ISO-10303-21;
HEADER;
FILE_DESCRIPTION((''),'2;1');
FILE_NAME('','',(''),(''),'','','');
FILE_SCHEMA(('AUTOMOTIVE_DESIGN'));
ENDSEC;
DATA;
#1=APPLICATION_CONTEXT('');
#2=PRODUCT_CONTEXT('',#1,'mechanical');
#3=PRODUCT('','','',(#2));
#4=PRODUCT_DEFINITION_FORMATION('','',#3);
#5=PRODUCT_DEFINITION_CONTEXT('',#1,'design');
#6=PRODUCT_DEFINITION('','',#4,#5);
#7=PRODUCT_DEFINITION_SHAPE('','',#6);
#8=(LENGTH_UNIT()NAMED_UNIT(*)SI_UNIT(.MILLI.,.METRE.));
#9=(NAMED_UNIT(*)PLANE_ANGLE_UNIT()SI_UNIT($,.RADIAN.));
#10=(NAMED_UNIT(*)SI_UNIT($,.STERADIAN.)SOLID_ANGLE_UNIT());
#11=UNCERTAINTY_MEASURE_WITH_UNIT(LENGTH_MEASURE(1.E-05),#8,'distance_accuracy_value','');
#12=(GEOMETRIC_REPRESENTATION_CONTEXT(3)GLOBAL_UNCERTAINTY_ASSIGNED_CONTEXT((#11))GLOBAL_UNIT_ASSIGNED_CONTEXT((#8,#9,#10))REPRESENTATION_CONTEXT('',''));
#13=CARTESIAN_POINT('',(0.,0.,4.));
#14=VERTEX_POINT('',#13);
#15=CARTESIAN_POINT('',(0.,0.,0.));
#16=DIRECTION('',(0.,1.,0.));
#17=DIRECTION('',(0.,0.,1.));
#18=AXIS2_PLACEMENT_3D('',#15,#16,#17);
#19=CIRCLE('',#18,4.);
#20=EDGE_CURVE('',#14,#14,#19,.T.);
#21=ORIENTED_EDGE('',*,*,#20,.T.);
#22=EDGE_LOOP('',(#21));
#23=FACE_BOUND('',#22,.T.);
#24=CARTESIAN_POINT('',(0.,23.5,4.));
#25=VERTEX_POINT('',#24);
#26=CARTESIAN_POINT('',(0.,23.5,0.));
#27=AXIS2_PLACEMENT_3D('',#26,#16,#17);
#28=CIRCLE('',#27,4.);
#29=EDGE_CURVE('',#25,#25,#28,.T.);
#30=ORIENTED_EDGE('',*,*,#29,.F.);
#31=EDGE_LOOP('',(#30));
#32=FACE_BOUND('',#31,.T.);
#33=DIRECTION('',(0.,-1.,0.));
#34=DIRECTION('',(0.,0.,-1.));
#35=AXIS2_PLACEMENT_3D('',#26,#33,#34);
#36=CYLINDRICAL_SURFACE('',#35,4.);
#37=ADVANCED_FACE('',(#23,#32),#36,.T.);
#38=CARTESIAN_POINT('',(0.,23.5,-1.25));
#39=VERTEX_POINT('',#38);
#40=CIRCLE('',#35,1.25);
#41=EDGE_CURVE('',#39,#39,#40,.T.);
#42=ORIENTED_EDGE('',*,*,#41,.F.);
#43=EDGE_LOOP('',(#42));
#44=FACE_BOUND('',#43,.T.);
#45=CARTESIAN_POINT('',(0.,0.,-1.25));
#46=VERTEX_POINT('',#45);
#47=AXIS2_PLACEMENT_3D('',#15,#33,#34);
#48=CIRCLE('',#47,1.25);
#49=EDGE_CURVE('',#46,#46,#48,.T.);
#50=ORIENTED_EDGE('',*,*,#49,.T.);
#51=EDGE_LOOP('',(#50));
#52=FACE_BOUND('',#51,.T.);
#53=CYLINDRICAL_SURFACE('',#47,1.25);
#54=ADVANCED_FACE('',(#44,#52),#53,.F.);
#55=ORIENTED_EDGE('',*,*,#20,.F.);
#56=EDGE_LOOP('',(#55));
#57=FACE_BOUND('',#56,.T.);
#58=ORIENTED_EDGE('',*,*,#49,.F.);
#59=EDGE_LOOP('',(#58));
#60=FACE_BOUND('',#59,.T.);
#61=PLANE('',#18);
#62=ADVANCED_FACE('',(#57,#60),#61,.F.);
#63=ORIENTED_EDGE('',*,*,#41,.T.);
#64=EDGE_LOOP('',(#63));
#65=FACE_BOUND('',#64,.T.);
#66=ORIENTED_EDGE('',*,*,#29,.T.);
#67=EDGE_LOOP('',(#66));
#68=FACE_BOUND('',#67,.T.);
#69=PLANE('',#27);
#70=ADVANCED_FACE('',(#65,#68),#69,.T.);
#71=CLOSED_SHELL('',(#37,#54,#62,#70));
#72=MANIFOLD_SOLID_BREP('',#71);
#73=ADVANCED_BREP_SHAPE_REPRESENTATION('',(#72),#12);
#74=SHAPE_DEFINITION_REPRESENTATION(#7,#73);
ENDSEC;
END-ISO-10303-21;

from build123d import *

# Parameters (mm, degrees)
SKETCH_1_R         = 4
EXTRUDE_3_DEPTH    = 23.5
HOLE_WIZARD_M3_1_D = 2.5


with BuildPart() as part:
    # 草图1 → 凸台-拉伸3 (new body)
    with BuildSketch(Plane(origin=(0, 0, 0), x_dir=(1, 0, 0), z_dir=(0, 1, 0))):
        with Locations(Location((0, 0, 0), (0, 0, 270))):
            Circle(SKETCH_1_R)
    extrude(amount=EXTRUDE_3_DEPTH)

    # M3 螺纹孔1 (through all)
    with Locations(Plane(origin=(0, 0, 0), x_dir=(-1, 0, 0), z_dir=(0, -1, 0))):
        with Locations((0, 0)):
            Hole(HOLE_WIZARD_M3_1_D / 2)


solid = part.part
